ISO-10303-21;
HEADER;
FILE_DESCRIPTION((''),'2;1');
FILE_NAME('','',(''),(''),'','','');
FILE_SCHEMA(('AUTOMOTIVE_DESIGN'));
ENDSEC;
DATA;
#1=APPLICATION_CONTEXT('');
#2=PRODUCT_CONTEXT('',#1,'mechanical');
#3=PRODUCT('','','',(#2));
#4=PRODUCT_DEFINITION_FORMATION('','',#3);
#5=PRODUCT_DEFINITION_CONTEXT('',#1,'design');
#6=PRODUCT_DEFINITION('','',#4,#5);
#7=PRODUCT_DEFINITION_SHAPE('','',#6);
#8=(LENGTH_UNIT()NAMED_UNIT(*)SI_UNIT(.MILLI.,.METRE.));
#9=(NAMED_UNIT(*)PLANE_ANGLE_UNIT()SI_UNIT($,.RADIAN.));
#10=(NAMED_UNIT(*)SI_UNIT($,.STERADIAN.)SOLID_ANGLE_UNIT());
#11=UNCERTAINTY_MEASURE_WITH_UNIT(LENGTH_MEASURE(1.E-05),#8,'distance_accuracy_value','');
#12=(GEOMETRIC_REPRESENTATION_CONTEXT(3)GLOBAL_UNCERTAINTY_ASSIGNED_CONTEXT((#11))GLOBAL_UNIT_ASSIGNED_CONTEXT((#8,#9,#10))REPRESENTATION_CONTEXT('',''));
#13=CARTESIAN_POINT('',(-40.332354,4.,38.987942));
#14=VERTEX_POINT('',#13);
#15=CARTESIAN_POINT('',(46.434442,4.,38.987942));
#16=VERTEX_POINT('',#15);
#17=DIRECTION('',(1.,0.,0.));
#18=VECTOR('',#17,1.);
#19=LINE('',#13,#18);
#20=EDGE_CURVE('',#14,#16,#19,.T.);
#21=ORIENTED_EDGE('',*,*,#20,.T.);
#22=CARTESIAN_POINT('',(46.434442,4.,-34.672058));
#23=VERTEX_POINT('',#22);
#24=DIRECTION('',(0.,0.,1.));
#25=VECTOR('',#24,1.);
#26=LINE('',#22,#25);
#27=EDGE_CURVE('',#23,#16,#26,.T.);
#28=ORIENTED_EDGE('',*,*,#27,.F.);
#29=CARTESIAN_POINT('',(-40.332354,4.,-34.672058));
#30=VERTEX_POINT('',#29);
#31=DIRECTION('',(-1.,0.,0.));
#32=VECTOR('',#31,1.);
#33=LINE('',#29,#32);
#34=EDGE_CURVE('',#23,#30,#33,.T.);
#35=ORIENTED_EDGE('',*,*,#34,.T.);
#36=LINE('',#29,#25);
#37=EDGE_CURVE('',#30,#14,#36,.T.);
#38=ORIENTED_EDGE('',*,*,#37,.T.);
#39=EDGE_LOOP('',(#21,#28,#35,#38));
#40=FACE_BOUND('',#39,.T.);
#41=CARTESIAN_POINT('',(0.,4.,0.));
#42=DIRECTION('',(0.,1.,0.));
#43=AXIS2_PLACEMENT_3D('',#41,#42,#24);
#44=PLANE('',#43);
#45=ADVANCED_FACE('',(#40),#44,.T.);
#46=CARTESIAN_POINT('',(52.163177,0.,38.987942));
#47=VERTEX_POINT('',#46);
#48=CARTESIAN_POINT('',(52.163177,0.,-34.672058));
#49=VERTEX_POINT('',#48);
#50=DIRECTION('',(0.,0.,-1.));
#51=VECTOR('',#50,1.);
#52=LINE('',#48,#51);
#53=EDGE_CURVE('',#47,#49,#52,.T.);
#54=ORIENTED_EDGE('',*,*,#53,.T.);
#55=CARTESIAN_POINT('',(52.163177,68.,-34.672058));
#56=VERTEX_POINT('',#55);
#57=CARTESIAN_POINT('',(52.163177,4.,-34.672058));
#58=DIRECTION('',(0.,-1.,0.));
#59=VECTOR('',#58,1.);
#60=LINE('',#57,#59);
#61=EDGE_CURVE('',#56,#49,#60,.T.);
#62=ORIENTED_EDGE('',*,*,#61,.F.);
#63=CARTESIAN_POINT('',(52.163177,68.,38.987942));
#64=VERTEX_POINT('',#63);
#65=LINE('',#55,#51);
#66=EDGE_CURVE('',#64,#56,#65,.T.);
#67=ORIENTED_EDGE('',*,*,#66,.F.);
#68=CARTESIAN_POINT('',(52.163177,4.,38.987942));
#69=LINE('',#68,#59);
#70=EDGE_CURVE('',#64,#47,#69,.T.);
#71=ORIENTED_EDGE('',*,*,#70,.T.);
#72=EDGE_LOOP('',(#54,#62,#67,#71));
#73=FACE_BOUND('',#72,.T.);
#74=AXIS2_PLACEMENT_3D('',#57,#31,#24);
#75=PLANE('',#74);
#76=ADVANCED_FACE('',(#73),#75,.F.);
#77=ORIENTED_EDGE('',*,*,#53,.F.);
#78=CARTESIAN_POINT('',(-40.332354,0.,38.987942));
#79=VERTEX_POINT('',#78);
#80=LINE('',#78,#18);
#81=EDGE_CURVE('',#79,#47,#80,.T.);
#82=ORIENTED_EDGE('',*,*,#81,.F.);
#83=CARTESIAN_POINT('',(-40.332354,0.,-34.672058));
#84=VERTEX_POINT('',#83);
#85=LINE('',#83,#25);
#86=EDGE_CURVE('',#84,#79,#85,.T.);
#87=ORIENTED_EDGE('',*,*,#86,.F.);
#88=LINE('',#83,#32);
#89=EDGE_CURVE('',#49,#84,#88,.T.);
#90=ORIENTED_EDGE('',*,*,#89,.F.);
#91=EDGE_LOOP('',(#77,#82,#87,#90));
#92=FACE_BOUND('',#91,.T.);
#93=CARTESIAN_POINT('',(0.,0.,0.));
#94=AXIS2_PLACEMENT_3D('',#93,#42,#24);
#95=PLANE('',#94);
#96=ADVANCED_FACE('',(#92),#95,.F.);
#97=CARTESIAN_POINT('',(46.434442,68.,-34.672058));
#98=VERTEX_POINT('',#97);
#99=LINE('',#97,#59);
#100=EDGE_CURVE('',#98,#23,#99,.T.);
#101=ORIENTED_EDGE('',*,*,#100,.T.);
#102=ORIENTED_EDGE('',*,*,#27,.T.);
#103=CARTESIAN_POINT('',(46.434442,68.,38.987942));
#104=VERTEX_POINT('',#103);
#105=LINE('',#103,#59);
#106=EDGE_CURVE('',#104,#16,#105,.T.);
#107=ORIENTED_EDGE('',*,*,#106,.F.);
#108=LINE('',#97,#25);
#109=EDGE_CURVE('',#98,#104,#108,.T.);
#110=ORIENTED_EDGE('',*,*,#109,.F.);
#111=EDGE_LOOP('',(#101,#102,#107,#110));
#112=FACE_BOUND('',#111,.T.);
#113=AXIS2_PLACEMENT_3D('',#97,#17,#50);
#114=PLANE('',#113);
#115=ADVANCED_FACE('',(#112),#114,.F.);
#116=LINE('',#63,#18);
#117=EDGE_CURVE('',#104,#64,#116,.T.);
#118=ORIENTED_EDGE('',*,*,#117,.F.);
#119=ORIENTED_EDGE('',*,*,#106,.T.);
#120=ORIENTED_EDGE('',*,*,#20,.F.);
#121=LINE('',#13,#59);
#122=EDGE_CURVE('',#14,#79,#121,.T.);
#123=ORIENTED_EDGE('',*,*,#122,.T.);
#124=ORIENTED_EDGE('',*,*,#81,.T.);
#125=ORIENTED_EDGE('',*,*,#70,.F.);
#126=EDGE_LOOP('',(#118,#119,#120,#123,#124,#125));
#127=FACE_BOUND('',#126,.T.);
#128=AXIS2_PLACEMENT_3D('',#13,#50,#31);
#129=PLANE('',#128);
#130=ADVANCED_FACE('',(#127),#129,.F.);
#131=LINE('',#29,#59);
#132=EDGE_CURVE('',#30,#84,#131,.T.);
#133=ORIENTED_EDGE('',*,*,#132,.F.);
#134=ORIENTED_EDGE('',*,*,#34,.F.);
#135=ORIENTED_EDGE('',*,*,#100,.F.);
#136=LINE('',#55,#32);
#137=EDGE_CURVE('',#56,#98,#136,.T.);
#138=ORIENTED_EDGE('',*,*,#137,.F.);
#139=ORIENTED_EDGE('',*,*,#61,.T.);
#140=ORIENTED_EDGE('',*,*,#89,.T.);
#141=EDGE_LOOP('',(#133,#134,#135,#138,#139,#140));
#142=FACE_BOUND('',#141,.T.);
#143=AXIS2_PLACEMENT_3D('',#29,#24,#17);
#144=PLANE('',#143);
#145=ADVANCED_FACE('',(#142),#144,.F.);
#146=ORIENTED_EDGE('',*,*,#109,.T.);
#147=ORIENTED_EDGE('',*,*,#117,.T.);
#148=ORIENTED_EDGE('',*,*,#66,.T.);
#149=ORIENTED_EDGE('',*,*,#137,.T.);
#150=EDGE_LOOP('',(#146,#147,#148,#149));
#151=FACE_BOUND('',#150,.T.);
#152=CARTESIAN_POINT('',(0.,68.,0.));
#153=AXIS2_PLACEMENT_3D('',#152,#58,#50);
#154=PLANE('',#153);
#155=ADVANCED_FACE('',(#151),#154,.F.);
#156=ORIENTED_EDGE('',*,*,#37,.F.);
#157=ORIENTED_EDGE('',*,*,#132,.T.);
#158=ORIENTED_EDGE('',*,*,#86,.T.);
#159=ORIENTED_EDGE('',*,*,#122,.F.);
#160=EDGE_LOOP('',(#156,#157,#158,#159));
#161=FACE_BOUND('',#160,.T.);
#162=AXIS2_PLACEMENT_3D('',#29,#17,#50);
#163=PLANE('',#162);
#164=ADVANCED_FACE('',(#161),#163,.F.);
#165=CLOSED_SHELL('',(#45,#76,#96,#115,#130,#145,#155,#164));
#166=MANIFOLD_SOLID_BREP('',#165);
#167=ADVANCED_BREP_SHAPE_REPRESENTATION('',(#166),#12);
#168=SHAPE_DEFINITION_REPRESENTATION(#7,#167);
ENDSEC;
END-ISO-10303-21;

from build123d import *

# Parameters (mm, degrees)
SKETCH1_W           = 92.495530799
SKETCH1_H           = 73.66
BOSS_EXTRUDE1_DEPTH = 4
SKETCH2_W           = 5.728735407
SKETCH2_H           = 73.66
BOSS_EXTRUDE2_DEPTH = 64


with BuildPart() as part:
    # Sketch1 → Boss-Extrude1 (new body)
    with BuildSketch(Plane(origin=(0, 0, 0), x_dir=(1, 0, 0), z_dir=(0, 1, 0))):
        with Locations((5.915411854, -2.157941762)):
            Rectangle(SKETCH1_W, SKETCH1_H)
    extrude(amount=BOSS_EXTRUDE1_DEPTH)

    # Sketch2 → Boss-Extrude2 (add)
    with BuildSketch(Plane(origin=(0, 4, 0), x_dir=(1, 0, 0), z_dir=(0, 1, 0))):
        with Locations((49.29880955, -2.157941762)):
            Rectangle(SKETCH2_W, SKETCH2_H)
    extrude(amount=BOSS_EXTRUDE2_DEPTH)


solid = part.part
